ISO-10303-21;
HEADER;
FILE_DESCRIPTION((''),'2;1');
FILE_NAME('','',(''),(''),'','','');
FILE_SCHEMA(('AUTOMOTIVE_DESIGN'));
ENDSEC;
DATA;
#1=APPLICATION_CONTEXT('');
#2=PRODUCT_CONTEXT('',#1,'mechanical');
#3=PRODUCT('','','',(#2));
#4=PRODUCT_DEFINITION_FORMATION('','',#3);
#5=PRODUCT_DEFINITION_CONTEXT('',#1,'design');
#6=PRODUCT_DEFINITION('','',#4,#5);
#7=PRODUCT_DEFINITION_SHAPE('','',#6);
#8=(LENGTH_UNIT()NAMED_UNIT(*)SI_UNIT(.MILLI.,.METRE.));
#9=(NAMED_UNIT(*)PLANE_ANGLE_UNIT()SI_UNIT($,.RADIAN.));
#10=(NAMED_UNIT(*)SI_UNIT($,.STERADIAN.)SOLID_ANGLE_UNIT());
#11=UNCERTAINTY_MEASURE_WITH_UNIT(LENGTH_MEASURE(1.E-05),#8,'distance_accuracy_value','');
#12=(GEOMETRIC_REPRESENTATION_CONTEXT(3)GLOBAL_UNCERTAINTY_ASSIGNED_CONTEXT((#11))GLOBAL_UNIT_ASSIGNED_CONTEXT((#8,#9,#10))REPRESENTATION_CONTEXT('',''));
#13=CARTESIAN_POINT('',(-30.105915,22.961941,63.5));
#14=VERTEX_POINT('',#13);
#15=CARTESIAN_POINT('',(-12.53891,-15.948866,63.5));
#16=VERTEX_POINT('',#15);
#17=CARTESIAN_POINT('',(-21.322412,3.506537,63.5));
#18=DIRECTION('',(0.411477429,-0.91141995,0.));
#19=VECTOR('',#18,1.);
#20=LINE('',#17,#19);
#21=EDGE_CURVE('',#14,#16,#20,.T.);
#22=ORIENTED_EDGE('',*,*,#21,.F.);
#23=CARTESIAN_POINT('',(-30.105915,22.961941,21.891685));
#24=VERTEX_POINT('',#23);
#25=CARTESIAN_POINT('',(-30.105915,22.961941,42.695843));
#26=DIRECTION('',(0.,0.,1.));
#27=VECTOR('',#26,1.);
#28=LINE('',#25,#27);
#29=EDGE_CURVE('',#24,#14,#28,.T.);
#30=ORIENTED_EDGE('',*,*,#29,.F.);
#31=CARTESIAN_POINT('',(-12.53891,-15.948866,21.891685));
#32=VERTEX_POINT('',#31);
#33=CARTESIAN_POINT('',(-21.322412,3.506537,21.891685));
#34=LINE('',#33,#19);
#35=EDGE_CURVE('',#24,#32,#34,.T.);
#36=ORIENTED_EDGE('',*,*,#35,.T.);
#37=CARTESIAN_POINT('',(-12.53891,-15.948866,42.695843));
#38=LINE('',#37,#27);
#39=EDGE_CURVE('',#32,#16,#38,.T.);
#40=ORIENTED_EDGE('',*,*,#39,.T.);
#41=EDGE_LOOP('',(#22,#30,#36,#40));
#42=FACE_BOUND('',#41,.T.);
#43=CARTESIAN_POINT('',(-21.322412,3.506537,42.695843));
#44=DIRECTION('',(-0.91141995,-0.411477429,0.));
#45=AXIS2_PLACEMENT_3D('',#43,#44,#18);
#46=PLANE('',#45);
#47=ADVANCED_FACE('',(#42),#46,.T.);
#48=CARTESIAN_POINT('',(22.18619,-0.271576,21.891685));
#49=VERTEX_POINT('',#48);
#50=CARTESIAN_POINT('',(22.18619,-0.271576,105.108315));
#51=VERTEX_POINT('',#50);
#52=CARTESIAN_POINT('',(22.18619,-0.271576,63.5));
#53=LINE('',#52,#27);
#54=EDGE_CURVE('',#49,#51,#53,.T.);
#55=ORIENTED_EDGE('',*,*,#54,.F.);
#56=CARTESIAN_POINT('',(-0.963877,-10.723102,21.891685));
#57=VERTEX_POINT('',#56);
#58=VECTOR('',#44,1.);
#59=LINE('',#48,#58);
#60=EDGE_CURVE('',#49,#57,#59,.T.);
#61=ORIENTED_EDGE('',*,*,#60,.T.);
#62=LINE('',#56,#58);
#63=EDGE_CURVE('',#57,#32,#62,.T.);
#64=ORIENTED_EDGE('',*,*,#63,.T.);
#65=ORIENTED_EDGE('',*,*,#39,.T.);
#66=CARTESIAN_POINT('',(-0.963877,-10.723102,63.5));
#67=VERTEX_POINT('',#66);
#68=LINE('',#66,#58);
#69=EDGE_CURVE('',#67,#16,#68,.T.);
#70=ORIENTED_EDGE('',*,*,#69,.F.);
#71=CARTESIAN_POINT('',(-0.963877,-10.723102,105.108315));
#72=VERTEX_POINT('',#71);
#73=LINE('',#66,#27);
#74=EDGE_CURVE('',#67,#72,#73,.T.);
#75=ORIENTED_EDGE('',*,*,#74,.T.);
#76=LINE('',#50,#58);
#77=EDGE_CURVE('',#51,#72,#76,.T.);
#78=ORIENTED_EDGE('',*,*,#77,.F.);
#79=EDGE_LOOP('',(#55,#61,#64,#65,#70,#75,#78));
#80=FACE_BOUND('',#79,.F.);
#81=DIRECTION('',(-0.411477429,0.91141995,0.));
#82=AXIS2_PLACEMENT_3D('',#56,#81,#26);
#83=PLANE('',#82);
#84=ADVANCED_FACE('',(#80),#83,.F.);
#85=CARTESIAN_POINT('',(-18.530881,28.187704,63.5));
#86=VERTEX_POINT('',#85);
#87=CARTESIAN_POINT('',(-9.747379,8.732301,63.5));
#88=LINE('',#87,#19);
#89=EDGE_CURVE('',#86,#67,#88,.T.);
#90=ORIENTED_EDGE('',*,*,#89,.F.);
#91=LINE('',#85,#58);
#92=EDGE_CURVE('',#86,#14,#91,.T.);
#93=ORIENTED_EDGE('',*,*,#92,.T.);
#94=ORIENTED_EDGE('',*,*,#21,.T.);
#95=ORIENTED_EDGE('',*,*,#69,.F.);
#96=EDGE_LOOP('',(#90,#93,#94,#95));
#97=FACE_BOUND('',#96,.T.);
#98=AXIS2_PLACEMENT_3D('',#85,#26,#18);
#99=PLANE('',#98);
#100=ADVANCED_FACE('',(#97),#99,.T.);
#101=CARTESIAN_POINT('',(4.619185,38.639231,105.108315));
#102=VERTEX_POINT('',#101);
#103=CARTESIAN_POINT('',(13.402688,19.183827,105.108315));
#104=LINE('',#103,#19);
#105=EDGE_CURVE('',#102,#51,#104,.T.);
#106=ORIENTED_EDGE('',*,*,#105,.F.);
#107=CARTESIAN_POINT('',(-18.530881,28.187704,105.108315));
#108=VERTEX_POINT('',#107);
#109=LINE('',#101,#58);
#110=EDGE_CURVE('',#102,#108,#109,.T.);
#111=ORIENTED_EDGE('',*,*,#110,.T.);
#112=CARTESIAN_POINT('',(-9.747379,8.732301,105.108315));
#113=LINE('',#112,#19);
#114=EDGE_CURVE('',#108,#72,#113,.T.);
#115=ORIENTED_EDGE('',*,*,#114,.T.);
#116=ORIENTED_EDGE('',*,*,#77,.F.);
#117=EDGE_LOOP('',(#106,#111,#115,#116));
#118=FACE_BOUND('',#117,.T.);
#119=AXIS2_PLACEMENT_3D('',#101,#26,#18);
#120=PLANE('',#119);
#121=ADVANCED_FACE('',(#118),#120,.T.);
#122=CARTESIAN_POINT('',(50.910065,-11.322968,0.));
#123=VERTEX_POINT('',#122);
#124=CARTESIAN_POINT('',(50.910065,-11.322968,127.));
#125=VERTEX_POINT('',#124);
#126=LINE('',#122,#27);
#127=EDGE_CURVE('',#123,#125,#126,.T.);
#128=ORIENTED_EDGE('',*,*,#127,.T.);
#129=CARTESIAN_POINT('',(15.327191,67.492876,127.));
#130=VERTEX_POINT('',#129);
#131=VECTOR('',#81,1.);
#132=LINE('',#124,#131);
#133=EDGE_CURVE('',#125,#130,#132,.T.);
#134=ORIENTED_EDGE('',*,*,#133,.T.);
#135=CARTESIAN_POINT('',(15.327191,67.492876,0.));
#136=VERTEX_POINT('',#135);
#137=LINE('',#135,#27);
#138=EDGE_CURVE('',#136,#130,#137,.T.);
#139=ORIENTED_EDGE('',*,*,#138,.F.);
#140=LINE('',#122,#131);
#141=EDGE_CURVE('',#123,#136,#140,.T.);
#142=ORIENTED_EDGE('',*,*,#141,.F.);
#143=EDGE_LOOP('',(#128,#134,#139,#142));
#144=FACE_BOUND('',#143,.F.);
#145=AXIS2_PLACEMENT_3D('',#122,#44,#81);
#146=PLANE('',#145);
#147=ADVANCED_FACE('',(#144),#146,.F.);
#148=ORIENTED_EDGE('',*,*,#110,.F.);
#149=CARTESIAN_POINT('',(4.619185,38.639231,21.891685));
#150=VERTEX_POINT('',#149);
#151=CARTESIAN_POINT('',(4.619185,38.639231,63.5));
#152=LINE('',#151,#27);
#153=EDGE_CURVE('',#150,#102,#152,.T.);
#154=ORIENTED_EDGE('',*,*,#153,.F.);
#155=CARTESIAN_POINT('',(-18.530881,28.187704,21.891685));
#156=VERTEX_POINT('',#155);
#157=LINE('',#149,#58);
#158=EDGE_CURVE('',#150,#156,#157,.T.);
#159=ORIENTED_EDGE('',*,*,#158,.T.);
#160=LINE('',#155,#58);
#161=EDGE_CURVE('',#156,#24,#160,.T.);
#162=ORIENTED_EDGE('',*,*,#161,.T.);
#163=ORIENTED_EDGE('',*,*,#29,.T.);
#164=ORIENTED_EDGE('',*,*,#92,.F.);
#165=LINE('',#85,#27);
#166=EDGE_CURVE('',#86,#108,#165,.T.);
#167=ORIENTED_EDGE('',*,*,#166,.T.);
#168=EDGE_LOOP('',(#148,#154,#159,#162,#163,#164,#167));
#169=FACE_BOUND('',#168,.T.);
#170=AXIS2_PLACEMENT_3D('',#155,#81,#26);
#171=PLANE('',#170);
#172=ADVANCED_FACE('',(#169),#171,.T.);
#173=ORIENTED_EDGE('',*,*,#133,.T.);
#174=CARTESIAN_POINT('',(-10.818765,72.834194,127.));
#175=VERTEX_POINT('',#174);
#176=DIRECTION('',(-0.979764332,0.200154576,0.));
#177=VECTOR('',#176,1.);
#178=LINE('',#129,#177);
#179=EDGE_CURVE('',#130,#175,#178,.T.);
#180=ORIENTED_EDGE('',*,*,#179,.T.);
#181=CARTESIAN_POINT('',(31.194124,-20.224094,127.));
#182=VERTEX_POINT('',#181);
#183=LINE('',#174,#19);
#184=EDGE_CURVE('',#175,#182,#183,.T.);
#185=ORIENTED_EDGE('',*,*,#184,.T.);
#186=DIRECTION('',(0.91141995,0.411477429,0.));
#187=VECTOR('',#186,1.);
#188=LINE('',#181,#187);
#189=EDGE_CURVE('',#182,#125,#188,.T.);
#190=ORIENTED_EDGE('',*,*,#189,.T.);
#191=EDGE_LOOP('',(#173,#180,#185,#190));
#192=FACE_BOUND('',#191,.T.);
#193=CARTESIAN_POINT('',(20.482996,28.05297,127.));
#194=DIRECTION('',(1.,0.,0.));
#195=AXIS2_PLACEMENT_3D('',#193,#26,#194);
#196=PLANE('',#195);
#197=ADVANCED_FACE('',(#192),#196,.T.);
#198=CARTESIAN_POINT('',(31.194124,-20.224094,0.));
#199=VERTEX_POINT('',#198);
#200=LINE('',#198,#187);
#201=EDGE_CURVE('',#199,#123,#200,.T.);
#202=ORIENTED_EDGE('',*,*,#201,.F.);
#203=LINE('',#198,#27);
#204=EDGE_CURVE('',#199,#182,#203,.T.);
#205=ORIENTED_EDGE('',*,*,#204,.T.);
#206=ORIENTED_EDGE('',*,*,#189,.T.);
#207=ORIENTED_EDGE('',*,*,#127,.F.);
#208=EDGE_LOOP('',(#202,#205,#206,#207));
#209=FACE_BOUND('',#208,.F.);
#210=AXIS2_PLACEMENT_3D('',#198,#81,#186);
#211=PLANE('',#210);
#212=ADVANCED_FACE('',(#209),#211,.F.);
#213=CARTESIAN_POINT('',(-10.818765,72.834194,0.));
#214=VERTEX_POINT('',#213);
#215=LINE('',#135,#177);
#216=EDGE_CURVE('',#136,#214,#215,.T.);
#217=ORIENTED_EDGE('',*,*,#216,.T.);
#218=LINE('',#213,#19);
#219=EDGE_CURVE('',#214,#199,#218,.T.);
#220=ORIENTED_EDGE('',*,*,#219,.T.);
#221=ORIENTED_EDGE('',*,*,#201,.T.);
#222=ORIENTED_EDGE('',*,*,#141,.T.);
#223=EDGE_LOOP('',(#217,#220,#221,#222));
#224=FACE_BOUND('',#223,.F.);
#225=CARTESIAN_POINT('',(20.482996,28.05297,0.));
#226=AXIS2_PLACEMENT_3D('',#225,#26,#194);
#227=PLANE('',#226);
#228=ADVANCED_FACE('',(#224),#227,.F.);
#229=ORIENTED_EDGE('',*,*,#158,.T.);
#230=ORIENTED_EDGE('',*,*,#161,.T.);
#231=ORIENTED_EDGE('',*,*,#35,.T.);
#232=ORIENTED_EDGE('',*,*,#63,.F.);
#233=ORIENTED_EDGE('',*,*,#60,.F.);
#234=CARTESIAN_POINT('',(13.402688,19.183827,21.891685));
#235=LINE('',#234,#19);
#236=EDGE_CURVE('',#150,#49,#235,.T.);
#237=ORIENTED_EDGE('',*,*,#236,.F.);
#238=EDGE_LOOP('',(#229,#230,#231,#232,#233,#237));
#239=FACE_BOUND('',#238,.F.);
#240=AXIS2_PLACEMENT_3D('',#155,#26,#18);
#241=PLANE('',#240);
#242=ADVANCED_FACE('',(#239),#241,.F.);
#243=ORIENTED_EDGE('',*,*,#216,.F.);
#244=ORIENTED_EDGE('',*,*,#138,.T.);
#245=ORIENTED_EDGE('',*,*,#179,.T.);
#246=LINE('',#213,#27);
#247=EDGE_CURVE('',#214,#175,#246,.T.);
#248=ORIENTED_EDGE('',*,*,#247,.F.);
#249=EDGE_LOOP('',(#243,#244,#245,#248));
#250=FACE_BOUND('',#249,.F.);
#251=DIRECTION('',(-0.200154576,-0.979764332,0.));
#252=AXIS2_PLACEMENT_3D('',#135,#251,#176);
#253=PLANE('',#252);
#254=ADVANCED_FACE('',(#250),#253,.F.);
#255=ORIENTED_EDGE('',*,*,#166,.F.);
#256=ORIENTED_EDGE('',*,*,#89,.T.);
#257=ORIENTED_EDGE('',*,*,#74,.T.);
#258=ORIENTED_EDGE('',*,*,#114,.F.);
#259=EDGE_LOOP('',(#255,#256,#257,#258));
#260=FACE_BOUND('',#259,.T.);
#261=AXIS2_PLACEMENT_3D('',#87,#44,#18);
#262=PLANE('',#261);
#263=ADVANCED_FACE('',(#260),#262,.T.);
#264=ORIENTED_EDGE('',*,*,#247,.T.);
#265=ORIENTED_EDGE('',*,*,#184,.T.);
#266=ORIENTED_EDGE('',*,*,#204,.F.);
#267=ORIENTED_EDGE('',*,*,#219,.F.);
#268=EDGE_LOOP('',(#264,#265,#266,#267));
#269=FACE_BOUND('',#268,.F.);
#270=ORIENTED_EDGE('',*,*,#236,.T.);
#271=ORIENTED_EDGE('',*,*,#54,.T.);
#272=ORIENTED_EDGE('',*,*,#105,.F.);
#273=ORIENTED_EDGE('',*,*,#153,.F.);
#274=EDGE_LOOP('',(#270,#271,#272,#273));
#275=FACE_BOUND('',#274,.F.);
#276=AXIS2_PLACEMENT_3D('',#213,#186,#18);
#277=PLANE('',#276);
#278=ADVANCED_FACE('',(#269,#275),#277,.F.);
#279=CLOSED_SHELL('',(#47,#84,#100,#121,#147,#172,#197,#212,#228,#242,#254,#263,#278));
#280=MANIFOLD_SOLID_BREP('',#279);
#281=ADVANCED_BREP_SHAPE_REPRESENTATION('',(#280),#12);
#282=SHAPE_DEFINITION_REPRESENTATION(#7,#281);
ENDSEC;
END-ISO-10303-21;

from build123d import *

# Parameters (mm, degrees)
F1_DEPTH = 127
F2_W     = 42.6925110772
F2_H     = 83.2166295946
F3_DEPTH = 25.4
F4_W     = 42.6925110772
F4_H     = 41.6083147973
F5_DEPTH = 12.7


with BuildPart() as f1:
    # F0 (on Top) → F1 (new body)
    with BuildSketch(Plane.XY):
        Polygon((15.3271912833, 67.492875863), (-10.8187645674, 72.8341937065), (31.1941243708, -20.2240943909), (50.9100646707, -11.32296772), align=None)
    extrude(amount=F1_DEPTH)

    # F2 (on face) → F3 (join)
    with BuildSketch(Plane(origin=(18.3279159537, 8.2744773537, 0), x_dir=(0.4114774291, -0.9114199501, 0), z_dir=(-0.9114199501, -0.4114774291, 0))):
        with Locations((-11.9696195438, 63.5)):
            Rectangle(F2_W, F2_H)
    extrude(amount=F3_DEPTH)

    # F4 (on face) → F5 (join)
    with BuildSketch(Plane(origin=(-4.822150778, -2.1770493443, 0), x_dir=(0.4114774291, -0.9114199501, 0), z_dir=(-0.9114199501, -0.4114774291, 0))):
        with Locations((-11.9696195438, 42.6958426014)):
            Rectangle(F4_W, F4_H)
    extrude(amount=F5_DEPTH)


solid = f1.part
